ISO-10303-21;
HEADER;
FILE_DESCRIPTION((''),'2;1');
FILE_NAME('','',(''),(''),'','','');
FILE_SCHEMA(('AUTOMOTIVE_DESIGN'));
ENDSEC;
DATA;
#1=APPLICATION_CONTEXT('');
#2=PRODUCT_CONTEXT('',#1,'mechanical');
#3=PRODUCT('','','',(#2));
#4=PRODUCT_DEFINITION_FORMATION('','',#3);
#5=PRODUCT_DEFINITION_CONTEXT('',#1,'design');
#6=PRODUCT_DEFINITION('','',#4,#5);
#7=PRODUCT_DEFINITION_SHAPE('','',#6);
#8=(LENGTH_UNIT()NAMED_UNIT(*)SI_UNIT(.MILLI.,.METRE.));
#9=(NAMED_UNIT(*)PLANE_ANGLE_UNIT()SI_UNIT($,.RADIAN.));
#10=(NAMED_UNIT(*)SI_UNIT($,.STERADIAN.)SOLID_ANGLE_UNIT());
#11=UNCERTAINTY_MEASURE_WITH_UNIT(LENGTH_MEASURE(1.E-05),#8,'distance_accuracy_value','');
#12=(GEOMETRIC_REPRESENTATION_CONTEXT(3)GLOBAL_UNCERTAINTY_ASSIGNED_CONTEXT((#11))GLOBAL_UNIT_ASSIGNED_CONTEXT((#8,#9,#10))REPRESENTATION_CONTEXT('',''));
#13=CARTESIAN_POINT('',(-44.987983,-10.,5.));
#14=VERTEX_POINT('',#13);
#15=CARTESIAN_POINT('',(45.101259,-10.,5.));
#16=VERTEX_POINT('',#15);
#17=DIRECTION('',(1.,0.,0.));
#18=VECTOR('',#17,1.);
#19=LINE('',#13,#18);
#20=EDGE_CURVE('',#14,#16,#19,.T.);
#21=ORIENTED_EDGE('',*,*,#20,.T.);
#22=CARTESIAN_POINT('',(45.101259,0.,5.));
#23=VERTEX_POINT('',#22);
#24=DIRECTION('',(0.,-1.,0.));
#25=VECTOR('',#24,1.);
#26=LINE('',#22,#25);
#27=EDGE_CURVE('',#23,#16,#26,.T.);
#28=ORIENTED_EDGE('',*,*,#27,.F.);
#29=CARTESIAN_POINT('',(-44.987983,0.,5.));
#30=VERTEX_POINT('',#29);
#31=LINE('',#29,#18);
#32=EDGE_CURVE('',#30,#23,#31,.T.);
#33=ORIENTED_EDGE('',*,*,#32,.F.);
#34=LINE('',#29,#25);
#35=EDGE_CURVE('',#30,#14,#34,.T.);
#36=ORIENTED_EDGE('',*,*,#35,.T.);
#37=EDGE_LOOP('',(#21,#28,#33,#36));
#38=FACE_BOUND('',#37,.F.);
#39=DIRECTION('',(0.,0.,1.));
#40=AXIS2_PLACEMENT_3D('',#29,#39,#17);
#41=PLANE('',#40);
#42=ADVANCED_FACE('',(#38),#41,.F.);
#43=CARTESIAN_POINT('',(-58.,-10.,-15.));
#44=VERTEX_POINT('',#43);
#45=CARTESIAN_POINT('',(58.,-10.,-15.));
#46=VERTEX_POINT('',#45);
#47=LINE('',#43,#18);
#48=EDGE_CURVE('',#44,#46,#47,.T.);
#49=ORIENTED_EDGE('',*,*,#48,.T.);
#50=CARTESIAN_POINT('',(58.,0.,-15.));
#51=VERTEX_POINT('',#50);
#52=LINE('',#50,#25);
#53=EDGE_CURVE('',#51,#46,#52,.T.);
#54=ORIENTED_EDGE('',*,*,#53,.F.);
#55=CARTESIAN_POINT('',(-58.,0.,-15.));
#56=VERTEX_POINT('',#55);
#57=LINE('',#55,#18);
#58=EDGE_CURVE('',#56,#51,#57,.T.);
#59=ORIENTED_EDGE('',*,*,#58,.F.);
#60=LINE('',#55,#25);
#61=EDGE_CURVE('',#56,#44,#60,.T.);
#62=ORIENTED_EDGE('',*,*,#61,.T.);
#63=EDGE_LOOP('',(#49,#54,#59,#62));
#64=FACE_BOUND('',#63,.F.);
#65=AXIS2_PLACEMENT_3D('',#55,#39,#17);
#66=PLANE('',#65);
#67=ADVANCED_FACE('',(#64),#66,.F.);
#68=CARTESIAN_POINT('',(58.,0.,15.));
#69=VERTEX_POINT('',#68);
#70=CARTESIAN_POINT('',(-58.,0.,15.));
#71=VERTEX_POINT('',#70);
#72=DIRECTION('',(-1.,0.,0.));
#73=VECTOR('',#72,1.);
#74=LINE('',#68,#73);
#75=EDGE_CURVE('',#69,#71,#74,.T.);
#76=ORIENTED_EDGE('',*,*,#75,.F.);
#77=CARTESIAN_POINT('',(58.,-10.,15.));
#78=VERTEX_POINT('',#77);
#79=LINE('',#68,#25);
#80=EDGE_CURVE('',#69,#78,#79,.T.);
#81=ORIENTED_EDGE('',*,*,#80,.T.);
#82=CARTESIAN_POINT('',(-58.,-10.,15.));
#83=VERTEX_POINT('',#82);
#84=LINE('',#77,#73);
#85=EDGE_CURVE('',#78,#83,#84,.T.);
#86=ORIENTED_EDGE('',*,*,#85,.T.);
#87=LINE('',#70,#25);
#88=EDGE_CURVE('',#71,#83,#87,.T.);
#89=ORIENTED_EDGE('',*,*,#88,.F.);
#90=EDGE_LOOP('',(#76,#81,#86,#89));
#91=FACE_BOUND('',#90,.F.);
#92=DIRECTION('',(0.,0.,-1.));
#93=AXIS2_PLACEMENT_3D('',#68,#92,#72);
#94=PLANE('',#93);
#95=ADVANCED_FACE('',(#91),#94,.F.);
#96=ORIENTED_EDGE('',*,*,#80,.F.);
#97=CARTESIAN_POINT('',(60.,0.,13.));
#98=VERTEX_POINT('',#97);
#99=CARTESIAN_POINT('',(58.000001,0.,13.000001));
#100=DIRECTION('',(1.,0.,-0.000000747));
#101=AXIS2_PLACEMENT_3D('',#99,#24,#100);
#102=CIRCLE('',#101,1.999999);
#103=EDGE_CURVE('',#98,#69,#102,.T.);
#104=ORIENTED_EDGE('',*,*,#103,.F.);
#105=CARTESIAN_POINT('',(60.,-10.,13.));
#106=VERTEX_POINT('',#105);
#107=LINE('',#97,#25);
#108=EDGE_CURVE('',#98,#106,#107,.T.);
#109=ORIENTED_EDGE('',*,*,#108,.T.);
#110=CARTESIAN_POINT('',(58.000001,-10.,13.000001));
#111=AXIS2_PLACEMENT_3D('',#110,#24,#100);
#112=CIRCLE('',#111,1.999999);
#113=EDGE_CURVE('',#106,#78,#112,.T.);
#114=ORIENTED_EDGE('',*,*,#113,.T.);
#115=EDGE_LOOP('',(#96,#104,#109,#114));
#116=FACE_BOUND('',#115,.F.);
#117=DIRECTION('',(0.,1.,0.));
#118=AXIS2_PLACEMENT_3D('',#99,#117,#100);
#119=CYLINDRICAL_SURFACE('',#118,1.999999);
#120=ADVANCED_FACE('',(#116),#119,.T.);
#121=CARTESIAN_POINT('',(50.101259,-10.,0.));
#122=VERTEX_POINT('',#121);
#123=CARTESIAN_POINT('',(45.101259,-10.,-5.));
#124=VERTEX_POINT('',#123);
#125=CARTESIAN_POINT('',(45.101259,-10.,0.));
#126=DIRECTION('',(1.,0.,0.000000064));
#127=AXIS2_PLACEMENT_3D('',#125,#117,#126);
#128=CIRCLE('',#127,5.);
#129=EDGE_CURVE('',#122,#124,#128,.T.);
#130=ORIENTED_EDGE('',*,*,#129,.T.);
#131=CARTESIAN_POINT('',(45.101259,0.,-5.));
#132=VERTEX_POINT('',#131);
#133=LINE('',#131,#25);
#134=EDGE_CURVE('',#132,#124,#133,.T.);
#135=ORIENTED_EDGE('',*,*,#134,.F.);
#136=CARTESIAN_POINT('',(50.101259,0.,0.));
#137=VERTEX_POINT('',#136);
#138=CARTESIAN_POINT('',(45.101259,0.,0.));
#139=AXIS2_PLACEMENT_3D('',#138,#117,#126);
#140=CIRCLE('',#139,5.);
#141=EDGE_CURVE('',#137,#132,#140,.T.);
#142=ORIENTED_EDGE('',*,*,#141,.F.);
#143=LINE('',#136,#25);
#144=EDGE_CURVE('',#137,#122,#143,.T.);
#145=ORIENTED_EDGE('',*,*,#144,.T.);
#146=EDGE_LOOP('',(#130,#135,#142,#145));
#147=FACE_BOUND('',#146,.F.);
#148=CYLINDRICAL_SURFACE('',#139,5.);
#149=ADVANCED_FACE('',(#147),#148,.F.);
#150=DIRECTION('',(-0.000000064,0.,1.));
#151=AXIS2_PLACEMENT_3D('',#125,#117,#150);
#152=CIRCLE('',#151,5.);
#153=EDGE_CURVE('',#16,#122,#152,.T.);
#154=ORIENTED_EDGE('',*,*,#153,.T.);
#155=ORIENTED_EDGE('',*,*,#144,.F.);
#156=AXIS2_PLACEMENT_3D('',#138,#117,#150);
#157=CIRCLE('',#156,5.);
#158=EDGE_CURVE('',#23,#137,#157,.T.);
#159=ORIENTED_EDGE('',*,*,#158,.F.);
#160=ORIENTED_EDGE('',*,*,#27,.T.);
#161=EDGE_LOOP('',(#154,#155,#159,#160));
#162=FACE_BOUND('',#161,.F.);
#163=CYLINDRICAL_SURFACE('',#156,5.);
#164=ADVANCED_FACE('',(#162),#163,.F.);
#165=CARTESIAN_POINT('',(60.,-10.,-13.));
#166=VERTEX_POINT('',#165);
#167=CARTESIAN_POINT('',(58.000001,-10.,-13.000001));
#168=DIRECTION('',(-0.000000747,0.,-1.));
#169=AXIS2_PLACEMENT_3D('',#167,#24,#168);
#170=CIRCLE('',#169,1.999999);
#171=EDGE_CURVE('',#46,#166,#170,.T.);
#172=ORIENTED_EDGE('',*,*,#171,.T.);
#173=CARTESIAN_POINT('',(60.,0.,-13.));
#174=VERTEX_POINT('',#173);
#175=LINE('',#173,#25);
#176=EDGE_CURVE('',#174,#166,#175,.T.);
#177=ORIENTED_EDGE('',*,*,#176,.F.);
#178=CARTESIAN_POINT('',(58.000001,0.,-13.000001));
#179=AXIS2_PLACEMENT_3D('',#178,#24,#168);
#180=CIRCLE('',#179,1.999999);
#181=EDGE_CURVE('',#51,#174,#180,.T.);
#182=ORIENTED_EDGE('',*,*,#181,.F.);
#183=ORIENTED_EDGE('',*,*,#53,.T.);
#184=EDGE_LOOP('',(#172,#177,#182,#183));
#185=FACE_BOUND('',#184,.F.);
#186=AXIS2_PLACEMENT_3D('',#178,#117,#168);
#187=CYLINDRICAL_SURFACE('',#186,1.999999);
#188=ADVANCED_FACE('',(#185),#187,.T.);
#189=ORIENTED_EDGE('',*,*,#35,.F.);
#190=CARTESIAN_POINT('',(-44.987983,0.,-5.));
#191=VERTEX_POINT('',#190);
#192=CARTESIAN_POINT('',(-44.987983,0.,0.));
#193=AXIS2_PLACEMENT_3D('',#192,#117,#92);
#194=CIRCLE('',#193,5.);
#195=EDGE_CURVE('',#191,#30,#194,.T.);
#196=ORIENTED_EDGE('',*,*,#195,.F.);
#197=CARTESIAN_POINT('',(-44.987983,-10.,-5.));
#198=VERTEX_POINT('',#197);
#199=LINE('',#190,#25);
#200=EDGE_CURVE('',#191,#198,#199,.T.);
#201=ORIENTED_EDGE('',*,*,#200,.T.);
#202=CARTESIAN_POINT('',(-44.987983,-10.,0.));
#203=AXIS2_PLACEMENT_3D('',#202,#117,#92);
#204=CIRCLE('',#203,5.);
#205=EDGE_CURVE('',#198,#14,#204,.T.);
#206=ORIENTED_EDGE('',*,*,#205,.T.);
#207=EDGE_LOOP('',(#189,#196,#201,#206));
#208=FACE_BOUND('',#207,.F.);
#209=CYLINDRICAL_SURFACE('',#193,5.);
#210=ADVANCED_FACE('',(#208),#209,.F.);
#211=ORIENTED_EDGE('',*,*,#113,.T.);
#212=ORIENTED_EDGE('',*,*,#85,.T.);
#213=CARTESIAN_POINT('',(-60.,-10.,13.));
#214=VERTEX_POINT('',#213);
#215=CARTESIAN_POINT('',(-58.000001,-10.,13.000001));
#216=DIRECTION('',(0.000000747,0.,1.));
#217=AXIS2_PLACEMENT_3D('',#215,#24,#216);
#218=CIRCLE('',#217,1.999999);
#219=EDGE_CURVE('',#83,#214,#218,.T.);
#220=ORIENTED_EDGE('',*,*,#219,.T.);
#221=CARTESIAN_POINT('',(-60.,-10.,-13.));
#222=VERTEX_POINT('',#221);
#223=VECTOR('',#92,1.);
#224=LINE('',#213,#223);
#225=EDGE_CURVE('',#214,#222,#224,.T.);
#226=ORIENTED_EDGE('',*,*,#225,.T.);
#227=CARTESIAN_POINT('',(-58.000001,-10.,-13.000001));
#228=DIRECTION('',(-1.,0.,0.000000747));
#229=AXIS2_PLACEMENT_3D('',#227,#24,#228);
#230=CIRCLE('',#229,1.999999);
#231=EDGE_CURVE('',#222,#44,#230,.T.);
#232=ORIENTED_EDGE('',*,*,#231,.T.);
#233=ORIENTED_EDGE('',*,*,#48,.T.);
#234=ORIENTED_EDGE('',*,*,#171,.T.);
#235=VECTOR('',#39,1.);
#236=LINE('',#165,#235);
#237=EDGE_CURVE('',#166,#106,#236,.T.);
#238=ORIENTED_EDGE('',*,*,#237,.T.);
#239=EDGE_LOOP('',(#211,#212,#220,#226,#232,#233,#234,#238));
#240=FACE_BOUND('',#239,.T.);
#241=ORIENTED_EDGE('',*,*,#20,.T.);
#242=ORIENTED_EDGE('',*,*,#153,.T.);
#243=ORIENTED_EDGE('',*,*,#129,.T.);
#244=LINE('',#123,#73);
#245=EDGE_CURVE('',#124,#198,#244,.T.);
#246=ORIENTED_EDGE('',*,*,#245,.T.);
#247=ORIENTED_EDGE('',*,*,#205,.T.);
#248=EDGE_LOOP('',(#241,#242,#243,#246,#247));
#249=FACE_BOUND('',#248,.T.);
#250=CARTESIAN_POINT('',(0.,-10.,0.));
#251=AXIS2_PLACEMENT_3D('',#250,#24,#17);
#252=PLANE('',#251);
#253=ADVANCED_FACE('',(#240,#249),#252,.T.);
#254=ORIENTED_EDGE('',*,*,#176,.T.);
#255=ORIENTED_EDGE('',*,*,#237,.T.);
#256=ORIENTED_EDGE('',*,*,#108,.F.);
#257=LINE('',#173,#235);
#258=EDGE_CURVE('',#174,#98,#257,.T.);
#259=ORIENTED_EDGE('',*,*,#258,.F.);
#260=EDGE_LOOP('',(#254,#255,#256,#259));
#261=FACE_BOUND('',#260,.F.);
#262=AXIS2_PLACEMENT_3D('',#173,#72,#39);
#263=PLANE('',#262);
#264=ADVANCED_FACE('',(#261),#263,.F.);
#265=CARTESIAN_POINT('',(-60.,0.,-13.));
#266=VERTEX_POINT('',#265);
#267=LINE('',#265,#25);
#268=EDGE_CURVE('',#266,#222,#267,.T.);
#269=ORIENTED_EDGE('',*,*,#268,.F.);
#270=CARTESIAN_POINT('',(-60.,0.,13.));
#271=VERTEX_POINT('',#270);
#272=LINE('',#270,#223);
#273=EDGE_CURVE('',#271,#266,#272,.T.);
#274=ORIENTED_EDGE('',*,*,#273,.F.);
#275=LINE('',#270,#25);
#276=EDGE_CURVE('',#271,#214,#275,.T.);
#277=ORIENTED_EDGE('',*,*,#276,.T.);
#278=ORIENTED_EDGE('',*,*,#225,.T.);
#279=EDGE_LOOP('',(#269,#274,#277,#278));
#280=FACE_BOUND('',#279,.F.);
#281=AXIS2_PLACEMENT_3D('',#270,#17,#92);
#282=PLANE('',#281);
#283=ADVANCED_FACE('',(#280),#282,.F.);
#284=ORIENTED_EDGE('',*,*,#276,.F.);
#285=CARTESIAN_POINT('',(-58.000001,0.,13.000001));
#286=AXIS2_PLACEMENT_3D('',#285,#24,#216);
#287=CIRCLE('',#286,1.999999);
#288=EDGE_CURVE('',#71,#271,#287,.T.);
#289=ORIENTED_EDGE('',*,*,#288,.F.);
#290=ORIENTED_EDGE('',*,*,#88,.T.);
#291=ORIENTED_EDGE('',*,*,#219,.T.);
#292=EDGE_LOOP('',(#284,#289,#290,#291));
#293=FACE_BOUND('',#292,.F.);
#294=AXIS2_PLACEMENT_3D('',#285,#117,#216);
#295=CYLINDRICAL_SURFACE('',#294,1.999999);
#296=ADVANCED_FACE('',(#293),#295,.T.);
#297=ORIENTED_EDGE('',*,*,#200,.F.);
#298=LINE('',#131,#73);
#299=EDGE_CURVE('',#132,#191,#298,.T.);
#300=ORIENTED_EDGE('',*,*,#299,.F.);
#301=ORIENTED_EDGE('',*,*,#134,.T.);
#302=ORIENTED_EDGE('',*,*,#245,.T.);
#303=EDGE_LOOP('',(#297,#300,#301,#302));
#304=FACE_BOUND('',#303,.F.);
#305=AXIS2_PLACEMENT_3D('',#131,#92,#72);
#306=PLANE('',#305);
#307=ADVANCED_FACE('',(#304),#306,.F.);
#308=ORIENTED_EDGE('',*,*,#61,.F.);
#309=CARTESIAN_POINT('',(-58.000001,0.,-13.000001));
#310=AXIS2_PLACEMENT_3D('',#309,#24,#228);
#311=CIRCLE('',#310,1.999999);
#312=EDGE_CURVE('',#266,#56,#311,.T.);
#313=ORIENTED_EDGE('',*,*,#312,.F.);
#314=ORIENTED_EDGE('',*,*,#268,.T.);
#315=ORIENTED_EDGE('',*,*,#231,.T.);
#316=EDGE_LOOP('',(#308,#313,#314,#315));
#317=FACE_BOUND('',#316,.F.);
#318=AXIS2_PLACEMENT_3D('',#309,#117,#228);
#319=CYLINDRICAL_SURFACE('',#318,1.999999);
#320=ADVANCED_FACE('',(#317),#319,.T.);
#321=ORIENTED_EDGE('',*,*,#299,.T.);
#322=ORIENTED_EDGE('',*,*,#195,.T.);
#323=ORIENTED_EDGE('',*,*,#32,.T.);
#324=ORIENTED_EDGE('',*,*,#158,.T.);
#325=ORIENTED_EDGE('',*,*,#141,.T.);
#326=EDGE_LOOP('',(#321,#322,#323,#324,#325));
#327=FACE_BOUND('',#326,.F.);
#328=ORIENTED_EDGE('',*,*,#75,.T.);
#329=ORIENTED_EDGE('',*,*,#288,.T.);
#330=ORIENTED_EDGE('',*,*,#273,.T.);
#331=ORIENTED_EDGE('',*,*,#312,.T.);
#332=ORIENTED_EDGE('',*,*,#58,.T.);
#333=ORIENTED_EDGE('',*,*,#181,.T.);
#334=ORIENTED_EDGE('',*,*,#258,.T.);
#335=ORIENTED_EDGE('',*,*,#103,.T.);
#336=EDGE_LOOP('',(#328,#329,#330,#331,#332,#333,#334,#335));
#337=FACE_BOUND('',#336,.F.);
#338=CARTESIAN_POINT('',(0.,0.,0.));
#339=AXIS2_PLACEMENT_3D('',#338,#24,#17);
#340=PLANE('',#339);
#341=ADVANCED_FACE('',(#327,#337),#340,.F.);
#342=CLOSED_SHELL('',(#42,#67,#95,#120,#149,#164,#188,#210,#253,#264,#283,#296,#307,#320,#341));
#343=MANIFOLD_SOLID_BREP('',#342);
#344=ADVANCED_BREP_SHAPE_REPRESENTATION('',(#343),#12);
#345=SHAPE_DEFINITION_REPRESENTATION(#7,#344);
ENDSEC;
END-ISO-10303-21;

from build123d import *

# Parameters (mm, degrees)
F1_DEPTH = 10


with BuildPart() as f1:
    # F0 (on Front) → F1 (new body)
    with BuildSketch(Plane.XZ):
        with BuildLine():
            ThreePointArc((60, 13), (59.414214, 14.414214), (58, 15))
            Line((58, 15), (-58, 15))
            ThreePointArc((-58, 15), (-59.414214, 14.414214), (-60, 13))
            Line((-60, 13), (-60, -13))
            ThreePointArc((-60, -13), (-59.414214, -14.414214), (-58, -15))
            Line((-58, -15), (58, -15))
            ThreePointArc((58, -15), (59.414214, -14.414214), (60, -13))
            Line((60, -13), (60, 13))
        make_face()
        with BuildLine():
            Line((-44.987983, 5), (45.101259, 5))
            ThreePointArc((45.101259, 5), (48.636793, 3.535534), (50.101259, 0))
            ThreePointArc((50.101259, 0), (48.636793, -3.535534), (45.101259, -5))
            Line((45.101259, -5), (-44.987983, -5))
            ThreePointArc((-44.987983, -5), (-49.987983, 0), (-44.987983, 5))
        make_face(mode=Mode.SUBTRACT)
    extrude(amount=F1_DEPTH)


solid = f1.part
